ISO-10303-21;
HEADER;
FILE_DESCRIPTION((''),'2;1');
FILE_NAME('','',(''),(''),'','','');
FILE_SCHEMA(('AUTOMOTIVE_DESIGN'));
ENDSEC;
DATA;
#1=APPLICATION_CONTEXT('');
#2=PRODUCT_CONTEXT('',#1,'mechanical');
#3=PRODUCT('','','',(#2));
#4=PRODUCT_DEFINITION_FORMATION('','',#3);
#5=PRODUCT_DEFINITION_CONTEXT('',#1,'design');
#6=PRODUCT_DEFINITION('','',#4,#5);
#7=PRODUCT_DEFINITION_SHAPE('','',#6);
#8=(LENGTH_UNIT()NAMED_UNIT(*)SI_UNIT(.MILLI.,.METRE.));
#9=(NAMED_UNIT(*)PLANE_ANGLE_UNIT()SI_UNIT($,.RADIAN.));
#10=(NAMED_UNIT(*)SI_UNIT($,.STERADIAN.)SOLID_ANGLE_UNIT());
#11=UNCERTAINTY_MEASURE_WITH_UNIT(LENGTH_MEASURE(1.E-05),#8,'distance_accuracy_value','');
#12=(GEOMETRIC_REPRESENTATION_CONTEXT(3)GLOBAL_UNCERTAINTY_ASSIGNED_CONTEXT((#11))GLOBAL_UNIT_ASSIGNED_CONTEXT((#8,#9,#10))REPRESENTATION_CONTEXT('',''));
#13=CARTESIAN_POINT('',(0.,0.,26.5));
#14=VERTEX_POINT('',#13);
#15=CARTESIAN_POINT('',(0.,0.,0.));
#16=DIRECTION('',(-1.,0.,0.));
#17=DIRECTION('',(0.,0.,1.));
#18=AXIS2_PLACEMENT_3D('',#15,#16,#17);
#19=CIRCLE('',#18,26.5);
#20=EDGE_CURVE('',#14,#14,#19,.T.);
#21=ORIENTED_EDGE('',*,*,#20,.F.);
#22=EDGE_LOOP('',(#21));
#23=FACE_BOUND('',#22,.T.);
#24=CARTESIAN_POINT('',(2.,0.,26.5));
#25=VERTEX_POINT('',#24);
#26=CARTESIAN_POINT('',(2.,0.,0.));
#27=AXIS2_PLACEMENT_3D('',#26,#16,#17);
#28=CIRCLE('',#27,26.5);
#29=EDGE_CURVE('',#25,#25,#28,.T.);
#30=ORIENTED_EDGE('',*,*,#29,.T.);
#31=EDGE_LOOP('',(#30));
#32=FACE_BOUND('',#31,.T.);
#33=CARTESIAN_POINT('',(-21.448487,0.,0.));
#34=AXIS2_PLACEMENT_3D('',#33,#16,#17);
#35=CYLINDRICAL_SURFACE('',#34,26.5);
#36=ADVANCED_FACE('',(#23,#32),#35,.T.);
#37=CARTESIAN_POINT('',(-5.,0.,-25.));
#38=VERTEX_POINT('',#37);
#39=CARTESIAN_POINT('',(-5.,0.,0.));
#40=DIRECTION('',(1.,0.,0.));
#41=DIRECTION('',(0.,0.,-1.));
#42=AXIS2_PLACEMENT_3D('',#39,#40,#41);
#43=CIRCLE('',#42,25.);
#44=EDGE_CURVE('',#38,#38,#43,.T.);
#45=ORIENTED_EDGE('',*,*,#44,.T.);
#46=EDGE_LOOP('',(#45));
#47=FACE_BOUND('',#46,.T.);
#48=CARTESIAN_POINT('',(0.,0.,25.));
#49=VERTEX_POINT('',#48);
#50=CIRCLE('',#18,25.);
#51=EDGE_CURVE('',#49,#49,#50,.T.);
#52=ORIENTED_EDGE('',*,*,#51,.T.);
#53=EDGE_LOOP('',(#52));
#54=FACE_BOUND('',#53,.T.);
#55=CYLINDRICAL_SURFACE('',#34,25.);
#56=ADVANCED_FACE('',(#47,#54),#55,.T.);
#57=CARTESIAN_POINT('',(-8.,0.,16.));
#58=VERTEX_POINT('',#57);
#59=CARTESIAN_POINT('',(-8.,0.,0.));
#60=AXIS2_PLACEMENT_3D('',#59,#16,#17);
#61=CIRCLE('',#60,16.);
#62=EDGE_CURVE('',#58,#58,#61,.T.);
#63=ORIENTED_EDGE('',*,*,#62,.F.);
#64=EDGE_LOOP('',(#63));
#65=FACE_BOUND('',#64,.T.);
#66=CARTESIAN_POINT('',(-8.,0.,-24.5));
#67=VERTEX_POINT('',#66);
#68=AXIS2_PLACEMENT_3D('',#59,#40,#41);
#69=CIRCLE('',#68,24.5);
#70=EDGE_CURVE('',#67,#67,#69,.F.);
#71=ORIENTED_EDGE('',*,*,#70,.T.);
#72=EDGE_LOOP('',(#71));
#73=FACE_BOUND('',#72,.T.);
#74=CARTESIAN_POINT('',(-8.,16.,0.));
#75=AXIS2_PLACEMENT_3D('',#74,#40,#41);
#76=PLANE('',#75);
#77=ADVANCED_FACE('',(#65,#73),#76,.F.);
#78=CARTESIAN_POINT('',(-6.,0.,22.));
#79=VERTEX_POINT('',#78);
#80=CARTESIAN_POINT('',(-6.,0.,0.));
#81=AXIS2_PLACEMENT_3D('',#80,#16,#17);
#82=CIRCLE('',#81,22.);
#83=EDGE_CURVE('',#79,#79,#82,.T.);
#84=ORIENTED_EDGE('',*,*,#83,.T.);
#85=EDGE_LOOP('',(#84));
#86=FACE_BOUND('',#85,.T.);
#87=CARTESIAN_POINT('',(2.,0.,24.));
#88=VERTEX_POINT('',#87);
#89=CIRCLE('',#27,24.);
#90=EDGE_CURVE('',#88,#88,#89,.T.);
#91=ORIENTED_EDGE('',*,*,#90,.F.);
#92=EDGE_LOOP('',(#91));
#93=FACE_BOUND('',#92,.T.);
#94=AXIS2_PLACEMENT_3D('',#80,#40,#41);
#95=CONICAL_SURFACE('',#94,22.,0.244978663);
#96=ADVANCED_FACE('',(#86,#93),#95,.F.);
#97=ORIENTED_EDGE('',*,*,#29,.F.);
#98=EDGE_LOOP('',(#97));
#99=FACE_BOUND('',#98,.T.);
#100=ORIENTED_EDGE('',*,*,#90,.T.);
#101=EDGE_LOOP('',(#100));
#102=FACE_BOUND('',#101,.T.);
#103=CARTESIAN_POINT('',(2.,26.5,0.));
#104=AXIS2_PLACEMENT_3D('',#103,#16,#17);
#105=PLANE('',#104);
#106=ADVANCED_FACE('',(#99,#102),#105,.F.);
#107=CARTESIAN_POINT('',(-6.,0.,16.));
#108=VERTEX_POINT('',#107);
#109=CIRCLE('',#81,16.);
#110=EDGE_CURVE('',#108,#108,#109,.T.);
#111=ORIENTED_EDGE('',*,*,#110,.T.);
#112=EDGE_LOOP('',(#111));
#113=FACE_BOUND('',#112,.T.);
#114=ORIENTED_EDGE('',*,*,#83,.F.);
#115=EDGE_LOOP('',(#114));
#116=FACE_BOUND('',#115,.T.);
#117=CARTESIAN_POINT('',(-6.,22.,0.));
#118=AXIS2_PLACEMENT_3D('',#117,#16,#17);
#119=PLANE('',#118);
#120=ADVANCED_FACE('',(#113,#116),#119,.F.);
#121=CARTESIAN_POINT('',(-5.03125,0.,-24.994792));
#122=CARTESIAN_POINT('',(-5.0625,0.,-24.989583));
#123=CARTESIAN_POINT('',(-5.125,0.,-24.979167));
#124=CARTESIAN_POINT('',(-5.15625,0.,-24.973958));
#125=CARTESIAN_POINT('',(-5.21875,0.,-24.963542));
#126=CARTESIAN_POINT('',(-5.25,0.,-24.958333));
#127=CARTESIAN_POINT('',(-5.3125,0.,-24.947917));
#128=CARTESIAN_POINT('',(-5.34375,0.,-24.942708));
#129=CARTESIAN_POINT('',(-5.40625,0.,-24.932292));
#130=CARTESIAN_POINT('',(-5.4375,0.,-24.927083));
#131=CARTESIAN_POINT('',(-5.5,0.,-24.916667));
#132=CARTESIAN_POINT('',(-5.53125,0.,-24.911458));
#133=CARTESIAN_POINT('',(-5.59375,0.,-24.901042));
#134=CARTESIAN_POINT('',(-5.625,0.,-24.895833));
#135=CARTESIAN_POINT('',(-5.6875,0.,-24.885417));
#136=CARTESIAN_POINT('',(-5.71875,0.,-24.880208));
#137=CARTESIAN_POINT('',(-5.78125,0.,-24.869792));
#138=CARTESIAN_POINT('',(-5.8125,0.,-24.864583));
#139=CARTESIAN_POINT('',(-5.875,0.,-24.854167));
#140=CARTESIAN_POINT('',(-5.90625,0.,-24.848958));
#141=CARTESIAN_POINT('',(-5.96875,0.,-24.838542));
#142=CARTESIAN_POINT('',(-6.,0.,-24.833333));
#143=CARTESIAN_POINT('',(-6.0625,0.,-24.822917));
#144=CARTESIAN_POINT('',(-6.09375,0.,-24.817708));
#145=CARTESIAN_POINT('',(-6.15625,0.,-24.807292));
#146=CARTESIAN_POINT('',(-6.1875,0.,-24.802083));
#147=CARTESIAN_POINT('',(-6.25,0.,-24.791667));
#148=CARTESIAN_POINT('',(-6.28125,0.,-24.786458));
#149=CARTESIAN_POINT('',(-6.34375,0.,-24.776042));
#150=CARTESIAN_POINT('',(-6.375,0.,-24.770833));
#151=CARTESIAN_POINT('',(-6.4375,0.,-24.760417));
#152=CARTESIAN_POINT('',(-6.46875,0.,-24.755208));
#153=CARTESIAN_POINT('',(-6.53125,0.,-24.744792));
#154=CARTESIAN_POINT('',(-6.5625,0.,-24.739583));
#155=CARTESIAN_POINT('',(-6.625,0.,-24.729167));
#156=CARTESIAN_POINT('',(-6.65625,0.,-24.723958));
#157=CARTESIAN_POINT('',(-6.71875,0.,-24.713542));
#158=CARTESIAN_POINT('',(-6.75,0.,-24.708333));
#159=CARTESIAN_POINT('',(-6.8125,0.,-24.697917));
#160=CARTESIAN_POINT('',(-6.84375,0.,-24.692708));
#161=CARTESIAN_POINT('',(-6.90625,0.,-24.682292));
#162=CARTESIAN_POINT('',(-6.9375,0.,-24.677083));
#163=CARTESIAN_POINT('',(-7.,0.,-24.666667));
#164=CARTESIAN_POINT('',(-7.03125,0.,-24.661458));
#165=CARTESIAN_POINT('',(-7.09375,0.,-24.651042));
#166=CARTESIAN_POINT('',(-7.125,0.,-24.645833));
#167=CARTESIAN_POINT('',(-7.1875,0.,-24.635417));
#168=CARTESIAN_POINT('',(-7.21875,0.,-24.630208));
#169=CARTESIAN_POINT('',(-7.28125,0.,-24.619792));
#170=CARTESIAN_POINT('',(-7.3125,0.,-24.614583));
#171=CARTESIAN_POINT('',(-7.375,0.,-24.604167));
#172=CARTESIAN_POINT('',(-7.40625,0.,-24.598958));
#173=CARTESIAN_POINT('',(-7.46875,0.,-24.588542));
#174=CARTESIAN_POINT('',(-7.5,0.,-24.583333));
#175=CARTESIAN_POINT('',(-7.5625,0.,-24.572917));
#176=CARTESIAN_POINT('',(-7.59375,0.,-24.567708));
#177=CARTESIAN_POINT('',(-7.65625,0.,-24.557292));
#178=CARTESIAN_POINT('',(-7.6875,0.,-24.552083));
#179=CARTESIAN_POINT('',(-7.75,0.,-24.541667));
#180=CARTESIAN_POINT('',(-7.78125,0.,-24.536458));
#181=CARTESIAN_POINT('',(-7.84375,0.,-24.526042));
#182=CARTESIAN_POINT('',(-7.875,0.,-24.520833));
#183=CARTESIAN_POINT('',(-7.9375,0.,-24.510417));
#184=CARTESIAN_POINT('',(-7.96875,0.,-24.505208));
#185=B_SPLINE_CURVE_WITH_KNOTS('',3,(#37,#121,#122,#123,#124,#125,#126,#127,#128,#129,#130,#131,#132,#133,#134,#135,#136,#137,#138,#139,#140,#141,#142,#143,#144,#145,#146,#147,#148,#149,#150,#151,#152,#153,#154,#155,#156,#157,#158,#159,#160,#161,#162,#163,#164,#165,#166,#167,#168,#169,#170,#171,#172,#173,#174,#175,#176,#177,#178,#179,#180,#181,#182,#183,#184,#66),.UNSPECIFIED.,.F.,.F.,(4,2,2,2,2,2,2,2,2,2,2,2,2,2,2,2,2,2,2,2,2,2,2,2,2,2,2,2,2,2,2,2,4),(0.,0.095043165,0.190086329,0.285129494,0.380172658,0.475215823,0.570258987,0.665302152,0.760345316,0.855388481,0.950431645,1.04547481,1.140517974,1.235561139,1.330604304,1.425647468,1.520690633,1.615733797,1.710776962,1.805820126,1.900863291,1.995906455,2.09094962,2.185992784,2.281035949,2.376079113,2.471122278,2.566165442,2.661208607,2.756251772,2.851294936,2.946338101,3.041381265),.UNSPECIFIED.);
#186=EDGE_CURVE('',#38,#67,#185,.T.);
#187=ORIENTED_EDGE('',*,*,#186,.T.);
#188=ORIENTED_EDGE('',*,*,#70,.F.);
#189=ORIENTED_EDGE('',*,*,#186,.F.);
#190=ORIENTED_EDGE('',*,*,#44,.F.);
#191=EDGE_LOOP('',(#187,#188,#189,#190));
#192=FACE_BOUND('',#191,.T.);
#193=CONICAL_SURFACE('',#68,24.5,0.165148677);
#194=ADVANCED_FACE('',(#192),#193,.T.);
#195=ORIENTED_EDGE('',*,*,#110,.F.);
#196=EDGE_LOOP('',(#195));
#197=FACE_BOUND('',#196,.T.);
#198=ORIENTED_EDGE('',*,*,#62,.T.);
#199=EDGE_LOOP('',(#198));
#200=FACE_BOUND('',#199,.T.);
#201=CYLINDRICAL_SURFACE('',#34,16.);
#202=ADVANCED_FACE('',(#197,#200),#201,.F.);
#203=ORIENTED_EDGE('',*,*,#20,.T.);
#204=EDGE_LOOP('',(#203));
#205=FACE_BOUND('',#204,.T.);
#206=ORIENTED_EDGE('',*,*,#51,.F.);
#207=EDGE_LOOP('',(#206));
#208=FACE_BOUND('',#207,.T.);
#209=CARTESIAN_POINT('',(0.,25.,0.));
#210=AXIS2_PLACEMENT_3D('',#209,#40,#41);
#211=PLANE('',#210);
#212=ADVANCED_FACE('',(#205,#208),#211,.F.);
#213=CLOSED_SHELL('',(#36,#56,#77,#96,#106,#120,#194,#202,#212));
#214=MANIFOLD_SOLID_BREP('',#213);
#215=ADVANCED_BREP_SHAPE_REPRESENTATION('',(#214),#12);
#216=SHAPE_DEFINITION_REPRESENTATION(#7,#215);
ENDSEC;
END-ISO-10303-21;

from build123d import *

# Parameters (mm, degrees)
SFAZOWANIE1_SIZE  = 3
SFAZOWANIE1_SIZE2 = 0.5


with BuildPart() as part:
    # Szkic1 → Obrót1 (revolve)
    with BuildSketch(Plane.XY, mode=Mode.PRIVATE) as obr_t1_sk:
        Polygon((0, 26.5), (2, 26.5), (2, 24), (-6, 22), (-6, 16), (-8, 16), (-8, 25), (0, 25), align=None)
    revolve(obr_t1_sk.sketch.rotate(Axis((-21.448486922, 0, 0), (1, 0, 0)), 90), axis=Axis((-21.448486922, 0, 0), (1, 0, 0)))

    # Sfazowanie1
    sfazowanie1_edges = [part.edges().sort_by_distance(p)[0] for p in [
        (-8, 0, -25),
    ]]
    sfazowanie1_side = [part.faces().sort_by_distance(p)[0] for p in [
        (-4, 0, -25),
    ]]
    chamfer(sfazowanie1_edges, length=SFAZOWANIE1_SIZE, length2=SFAZOWANIE1_SIZE2, reference=sfazowanie1_side[0])


solid = part.part
